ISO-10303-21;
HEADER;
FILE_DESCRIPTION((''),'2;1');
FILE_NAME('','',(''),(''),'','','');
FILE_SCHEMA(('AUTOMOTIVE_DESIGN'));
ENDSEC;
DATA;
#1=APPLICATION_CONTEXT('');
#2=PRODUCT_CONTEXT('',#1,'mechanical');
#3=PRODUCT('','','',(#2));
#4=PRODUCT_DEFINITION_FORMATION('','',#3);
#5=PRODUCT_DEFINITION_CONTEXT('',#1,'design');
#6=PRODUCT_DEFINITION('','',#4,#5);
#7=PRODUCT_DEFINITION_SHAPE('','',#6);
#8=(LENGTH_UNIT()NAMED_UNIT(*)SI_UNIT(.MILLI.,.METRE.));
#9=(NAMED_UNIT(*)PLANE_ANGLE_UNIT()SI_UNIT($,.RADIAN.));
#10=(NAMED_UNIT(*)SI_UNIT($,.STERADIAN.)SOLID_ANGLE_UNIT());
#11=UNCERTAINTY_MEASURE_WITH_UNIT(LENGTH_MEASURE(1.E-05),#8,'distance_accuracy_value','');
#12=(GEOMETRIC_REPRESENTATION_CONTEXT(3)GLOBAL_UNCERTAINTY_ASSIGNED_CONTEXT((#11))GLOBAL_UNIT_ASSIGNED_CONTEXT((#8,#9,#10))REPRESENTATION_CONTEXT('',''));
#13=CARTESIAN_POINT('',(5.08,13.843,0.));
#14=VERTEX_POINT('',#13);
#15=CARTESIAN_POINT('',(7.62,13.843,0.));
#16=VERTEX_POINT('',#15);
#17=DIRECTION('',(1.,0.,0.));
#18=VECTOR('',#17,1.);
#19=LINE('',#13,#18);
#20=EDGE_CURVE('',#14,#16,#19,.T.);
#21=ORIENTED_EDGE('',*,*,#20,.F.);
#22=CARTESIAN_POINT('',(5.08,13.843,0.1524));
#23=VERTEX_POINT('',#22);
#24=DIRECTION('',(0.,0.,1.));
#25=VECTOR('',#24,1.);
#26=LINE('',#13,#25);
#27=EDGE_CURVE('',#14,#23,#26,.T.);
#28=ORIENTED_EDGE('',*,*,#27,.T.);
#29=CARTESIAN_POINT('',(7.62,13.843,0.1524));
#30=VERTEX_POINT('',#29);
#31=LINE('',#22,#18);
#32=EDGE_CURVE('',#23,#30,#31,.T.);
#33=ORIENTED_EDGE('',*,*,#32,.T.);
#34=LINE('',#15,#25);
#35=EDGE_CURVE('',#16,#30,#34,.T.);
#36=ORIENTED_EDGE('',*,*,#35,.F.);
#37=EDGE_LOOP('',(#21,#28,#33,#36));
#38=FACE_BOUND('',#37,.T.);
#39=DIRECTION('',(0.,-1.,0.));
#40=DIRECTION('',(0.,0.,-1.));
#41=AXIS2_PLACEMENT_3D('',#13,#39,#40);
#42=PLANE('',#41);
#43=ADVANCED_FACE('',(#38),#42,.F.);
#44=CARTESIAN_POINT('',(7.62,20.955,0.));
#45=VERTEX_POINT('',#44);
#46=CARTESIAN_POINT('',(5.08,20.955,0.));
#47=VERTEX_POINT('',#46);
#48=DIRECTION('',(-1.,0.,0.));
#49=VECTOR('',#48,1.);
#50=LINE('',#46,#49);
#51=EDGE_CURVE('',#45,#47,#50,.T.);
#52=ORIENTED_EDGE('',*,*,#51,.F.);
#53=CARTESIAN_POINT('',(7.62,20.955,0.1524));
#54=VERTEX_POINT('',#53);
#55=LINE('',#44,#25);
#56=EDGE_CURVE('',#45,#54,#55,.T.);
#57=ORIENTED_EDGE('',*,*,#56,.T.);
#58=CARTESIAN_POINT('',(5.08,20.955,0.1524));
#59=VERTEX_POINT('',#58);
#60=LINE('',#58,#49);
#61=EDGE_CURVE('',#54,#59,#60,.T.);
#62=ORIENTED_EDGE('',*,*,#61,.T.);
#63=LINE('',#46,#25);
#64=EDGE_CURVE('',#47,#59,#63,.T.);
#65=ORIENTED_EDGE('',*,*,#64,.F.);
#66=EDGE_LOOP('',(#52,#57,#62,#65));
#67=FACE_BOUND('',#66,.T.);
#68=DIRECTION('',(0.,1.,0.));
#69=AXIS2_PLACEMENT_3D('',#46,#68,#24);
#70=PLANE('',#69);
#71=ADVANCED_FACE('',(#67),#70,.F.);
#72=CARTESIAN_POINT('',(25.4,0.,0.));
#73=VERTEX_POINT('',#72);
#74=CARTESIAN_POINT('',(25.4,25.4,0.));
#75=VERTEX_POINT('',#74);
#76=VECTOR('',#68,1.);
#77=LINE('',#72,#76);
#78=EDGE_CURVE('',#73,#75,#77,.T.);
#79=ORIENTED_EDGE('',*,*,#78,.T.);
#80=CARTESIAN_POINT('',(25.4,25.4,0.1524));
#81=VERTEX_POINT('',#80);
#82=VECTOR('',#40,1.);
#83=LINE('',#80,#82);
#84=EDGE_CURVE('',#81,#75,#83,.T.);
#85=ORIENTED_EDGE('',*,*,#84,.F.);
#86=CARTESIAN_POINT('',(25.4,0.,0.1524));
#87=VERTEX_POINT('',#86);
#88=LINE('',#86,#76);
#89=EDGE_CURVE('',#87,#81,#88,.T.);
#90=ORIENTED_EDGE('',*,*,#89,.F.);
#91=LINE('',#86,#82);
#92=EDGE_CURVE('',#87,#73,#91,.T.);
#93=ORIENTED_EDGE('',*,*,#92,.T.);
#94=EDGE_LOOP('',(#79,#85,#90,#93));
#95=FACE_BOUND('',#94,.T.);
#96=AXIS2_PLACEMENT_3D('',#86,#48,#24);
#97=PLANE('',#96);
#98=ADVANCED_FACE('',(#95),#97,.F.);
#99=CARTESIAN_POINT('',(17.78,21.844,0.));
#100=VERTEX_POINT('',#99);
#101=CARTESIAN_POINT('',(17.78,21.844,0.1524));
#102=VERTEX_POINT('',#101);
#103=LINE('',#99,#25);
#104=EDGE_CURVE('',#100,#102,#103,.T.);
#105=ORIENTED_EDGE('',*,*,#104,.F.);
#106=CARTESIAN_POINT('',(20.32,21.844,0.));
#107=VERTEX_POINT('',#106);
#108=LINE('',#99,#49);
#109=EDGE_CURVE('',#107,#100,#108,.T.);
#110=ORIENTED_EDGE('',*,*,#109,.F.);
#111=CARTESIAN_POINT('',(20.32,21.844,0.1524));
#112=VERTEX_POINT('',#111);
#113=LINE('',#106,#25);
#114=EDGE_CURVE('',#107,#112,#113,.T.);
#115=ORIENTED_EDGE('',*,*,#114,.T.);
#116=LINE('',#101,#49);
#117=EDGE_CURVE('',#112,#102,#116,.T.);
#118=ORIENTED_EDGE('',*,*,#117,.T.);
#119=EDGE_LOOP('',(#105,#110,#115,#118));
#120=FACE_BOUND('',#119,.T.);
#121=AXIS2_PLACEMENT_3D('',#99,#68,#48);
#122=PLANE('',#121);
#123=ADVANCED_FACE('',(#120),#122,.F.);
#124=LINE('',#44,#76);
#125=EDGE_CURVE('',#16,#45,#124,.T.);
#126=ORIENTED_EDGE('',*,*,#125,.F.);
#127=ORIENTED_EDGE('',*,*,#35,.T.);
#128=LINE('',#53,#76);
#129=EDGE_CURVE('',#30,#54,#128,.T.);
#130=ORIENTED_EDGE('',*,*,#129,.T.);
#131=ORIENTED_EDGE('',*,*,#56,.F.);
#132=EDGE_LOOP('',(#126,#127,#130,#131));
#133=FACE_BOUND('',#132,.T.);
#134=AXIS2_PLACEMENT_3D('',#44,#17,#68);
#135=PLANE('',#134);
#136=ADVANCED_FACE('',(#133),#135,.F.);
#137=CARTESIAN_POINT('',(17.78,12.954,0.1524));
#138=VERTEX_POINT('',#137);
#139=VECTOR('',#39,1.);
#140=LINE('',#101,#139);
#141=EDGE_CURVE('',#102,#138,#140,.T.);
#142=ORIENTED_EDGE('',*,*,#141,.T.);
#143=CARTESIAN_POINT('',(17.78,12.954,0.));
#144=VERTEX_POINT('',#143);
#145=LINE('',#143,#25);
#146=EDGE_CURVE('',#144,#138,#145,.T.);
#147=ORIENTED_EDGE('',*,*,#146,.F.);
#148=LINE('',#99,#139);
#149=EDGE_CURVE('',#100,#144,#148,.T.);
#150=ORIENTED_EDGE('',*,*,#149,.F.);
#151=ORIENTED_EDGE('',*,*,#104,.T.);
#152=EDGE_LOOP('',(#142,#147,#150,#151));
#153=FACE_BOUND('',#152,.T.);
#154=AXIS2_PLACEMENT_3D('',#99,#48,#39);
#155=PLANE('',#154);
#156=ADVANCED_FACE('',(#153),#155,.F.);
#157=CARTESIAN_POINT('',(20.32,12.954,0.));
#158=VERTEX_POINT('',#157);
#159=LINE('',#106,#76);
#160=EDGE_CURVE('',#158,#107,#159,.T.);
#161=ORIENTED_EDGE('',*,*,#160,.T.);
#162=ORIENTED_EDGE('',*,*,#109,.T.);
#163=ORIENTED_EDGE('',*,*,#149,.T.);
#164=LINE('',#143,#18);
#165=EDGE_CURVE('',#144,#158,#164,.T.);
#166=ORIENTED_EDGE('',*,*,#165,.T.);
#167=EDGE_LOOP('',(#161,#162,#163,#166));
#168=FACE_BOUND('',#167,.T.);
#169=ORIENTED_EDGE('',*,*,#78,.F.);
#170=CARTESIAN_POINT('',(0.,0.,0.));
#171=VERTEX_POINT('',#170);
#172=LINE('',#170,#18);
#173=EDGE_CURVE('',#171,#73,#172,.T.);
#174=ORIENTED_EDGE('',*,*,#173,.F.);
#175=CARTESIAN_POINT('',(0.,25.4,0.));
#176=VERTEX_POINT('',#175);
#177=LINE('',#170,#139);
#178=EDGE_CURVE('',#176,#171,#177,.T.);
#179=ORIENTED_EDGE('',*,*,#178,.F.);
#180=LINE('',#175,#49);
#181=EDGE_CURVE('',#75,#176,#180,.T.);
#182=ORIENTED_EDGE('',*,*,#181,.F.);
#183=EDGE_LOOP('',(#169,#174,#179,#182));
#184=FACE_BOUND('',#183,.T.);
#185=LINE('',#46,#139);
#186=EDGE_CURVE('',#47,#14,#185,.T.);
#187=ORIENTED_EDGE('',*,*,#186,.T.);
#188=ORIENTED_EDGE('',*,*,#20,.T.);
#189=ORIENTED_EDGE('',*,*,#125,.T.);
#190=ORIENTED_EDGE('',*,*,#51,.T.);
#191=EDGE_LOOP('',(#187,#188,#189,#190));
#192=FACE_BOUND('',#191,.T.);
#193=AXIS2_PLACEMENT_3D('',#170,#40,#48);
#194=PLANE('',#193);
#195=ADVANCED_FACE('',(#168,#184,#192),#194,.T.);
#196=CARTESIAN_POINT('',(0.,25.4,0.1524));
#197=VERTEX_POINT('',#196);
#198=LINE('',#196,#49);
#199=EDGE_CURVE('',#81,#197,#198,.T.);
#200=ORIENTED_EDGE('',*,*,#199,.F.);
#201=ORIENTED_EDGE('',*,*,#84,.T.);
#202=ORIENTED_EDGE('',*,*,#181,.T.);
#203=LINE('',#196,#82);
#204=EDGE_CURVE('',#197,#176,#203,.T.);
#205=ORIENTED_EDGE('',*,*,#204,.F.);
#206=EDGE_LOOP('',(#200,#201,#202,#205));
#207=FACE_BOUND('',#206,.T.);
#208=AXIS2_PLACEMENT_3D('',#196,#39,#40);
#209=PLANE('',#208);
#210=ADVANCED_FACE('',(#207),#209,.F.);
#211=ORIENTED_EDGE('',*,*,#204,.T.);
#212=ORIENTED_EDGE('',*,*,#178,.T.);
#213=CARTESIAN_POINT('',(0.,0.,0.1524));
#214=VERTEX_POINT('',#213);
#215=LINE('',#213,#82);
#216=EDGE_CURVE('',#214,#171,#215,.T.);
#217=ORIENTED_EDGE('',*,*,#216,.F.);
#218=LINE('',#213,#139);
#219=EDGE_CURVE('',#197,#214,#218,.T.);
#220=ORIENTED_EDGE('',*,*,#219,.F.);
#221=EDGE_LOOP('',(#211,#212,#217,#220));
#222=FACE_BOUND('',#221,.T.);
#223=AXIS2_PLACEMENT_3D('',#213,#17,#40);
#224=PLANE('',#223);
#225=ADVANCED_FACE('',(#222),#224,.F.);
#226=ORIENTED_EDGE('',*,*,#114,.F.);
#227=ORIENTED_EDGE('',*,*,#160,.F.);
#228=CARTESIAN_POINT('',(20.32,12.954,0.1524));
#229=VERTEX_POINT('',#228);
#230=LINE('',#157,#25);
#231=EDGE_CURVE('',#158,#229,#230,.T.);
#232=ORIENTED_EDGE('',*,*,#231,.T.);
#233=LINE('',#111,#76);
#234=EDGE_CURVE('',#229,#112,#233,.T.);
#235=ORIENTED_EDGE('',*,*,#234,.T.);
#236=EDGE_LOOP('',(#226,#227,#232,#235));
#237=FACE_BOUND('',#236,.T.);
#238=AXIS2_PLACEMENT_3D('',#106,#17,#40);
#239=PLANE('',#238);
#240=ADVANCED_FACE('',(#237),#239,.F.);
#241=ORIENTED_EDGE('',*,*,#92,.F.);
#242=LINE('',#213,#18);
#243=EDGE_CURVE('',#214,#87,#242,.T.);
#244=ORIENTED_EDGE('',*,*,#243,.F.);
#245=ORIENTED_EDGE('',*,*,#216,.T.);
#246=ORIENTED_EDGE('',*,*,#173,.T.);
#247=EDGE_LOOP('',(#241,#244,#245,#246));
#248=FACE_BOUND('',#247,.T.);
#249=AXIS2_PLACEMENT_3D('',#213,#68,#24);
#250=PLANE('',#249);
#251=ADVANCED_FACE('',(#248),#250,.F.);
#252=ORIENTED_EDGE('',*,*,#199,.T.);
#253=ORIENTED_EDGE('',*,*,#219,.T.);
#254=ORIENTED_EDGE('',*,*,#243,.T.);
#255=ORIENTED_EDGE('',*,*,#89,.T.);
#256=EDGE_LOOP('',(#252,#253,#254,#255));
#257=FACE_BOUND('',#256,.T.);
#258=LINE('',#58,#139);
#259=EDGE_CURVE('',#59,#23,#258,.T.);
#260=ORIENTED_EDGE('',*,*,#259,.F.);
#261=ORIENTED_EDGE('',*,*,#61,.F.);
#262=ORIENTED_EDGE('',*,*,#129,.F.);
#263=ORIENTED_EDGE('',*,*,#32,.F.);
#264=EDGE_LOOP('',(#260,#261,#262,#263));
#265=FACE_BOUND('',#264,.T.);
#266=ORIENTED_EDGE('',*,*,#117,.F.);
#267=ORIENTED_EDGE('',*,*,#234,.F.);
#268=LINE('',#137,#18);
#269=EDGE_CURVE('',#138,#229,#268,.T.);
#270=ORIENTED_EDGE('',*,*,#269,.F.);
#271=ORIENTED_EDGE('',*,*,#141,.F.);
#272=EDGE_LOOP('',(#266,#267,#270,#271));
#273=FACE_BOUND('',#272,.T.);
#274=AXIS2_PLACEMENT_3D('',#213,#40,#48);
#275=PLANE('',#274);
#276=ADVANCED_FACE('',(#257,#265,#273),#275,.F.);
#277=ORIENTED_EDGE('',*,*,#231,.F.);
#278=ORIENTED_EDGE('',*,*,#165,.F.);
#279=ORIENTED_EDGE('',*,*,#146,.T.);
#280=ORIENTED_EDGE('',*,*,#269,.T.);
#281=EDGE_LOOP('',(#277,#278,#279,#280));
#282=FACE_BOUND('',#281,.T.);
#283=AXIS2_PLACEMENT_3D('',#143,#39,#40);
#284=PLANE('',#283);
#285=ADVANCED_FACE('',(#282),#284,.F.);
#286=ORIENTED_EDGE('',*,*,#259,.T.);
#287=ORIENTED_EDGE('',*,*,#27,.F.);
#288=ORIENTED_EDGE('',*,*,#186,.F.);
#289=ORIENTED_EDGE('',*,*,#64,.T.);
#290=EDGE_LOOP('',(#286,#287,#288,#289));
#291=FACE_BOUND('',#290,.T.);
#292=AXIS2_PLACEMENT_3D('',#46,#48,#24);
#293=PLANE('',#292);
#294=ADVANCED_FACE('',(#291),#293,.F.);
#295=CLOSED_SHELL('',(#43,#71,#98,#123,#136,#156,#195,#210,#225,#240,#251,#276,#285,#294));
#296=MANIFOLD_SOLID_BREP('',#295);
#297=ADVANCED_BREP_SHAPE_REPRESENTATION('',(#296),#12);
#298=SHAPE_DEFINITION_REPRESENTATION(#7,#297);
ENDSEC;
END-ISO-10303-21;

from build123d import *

# Parameters (mm, degrees)
SKETCH1_W           = 25.4
SKETCH1_H           = 25.4
BOSS_EXTRUDE1_DEPTH = 0.1524
SKETCH2_W           = 2.54
SKETCH2_H           = 7.112
SKETCH2_H_2         = 8.89
CUT_EXTRUDE1_DEPTH  = 36.921347772


with BuildPart() as part:
    # Sketch1 → Boss-Extrude1 (new body)
    with BuildSketch(Plane.XY):
        with Locations((12.7, 12.7)):
            Rectangle(SKETCH1_W, SKETCH1_H)
    extrude(amount=BOSS_EXTRUDE1_DEPTH)

    # Sketch2 → Cut-Extrude1 (cut, through all)
    with BuildSketch(Plane.XY.offset(0.1524)):
        with Locations((6.35, 17.399)):
            Rectangle(SKETCH2_W, SKETCH2_H)
        with Locations((19.05, 17.399)):
            Rectangle(SKETCH2_W, SKETCH2_H_2)
    extrude(amount=-CUT_EXTRUDE1_DEPTH, mode=Mode.SUBTRACT)


solid = part.part
